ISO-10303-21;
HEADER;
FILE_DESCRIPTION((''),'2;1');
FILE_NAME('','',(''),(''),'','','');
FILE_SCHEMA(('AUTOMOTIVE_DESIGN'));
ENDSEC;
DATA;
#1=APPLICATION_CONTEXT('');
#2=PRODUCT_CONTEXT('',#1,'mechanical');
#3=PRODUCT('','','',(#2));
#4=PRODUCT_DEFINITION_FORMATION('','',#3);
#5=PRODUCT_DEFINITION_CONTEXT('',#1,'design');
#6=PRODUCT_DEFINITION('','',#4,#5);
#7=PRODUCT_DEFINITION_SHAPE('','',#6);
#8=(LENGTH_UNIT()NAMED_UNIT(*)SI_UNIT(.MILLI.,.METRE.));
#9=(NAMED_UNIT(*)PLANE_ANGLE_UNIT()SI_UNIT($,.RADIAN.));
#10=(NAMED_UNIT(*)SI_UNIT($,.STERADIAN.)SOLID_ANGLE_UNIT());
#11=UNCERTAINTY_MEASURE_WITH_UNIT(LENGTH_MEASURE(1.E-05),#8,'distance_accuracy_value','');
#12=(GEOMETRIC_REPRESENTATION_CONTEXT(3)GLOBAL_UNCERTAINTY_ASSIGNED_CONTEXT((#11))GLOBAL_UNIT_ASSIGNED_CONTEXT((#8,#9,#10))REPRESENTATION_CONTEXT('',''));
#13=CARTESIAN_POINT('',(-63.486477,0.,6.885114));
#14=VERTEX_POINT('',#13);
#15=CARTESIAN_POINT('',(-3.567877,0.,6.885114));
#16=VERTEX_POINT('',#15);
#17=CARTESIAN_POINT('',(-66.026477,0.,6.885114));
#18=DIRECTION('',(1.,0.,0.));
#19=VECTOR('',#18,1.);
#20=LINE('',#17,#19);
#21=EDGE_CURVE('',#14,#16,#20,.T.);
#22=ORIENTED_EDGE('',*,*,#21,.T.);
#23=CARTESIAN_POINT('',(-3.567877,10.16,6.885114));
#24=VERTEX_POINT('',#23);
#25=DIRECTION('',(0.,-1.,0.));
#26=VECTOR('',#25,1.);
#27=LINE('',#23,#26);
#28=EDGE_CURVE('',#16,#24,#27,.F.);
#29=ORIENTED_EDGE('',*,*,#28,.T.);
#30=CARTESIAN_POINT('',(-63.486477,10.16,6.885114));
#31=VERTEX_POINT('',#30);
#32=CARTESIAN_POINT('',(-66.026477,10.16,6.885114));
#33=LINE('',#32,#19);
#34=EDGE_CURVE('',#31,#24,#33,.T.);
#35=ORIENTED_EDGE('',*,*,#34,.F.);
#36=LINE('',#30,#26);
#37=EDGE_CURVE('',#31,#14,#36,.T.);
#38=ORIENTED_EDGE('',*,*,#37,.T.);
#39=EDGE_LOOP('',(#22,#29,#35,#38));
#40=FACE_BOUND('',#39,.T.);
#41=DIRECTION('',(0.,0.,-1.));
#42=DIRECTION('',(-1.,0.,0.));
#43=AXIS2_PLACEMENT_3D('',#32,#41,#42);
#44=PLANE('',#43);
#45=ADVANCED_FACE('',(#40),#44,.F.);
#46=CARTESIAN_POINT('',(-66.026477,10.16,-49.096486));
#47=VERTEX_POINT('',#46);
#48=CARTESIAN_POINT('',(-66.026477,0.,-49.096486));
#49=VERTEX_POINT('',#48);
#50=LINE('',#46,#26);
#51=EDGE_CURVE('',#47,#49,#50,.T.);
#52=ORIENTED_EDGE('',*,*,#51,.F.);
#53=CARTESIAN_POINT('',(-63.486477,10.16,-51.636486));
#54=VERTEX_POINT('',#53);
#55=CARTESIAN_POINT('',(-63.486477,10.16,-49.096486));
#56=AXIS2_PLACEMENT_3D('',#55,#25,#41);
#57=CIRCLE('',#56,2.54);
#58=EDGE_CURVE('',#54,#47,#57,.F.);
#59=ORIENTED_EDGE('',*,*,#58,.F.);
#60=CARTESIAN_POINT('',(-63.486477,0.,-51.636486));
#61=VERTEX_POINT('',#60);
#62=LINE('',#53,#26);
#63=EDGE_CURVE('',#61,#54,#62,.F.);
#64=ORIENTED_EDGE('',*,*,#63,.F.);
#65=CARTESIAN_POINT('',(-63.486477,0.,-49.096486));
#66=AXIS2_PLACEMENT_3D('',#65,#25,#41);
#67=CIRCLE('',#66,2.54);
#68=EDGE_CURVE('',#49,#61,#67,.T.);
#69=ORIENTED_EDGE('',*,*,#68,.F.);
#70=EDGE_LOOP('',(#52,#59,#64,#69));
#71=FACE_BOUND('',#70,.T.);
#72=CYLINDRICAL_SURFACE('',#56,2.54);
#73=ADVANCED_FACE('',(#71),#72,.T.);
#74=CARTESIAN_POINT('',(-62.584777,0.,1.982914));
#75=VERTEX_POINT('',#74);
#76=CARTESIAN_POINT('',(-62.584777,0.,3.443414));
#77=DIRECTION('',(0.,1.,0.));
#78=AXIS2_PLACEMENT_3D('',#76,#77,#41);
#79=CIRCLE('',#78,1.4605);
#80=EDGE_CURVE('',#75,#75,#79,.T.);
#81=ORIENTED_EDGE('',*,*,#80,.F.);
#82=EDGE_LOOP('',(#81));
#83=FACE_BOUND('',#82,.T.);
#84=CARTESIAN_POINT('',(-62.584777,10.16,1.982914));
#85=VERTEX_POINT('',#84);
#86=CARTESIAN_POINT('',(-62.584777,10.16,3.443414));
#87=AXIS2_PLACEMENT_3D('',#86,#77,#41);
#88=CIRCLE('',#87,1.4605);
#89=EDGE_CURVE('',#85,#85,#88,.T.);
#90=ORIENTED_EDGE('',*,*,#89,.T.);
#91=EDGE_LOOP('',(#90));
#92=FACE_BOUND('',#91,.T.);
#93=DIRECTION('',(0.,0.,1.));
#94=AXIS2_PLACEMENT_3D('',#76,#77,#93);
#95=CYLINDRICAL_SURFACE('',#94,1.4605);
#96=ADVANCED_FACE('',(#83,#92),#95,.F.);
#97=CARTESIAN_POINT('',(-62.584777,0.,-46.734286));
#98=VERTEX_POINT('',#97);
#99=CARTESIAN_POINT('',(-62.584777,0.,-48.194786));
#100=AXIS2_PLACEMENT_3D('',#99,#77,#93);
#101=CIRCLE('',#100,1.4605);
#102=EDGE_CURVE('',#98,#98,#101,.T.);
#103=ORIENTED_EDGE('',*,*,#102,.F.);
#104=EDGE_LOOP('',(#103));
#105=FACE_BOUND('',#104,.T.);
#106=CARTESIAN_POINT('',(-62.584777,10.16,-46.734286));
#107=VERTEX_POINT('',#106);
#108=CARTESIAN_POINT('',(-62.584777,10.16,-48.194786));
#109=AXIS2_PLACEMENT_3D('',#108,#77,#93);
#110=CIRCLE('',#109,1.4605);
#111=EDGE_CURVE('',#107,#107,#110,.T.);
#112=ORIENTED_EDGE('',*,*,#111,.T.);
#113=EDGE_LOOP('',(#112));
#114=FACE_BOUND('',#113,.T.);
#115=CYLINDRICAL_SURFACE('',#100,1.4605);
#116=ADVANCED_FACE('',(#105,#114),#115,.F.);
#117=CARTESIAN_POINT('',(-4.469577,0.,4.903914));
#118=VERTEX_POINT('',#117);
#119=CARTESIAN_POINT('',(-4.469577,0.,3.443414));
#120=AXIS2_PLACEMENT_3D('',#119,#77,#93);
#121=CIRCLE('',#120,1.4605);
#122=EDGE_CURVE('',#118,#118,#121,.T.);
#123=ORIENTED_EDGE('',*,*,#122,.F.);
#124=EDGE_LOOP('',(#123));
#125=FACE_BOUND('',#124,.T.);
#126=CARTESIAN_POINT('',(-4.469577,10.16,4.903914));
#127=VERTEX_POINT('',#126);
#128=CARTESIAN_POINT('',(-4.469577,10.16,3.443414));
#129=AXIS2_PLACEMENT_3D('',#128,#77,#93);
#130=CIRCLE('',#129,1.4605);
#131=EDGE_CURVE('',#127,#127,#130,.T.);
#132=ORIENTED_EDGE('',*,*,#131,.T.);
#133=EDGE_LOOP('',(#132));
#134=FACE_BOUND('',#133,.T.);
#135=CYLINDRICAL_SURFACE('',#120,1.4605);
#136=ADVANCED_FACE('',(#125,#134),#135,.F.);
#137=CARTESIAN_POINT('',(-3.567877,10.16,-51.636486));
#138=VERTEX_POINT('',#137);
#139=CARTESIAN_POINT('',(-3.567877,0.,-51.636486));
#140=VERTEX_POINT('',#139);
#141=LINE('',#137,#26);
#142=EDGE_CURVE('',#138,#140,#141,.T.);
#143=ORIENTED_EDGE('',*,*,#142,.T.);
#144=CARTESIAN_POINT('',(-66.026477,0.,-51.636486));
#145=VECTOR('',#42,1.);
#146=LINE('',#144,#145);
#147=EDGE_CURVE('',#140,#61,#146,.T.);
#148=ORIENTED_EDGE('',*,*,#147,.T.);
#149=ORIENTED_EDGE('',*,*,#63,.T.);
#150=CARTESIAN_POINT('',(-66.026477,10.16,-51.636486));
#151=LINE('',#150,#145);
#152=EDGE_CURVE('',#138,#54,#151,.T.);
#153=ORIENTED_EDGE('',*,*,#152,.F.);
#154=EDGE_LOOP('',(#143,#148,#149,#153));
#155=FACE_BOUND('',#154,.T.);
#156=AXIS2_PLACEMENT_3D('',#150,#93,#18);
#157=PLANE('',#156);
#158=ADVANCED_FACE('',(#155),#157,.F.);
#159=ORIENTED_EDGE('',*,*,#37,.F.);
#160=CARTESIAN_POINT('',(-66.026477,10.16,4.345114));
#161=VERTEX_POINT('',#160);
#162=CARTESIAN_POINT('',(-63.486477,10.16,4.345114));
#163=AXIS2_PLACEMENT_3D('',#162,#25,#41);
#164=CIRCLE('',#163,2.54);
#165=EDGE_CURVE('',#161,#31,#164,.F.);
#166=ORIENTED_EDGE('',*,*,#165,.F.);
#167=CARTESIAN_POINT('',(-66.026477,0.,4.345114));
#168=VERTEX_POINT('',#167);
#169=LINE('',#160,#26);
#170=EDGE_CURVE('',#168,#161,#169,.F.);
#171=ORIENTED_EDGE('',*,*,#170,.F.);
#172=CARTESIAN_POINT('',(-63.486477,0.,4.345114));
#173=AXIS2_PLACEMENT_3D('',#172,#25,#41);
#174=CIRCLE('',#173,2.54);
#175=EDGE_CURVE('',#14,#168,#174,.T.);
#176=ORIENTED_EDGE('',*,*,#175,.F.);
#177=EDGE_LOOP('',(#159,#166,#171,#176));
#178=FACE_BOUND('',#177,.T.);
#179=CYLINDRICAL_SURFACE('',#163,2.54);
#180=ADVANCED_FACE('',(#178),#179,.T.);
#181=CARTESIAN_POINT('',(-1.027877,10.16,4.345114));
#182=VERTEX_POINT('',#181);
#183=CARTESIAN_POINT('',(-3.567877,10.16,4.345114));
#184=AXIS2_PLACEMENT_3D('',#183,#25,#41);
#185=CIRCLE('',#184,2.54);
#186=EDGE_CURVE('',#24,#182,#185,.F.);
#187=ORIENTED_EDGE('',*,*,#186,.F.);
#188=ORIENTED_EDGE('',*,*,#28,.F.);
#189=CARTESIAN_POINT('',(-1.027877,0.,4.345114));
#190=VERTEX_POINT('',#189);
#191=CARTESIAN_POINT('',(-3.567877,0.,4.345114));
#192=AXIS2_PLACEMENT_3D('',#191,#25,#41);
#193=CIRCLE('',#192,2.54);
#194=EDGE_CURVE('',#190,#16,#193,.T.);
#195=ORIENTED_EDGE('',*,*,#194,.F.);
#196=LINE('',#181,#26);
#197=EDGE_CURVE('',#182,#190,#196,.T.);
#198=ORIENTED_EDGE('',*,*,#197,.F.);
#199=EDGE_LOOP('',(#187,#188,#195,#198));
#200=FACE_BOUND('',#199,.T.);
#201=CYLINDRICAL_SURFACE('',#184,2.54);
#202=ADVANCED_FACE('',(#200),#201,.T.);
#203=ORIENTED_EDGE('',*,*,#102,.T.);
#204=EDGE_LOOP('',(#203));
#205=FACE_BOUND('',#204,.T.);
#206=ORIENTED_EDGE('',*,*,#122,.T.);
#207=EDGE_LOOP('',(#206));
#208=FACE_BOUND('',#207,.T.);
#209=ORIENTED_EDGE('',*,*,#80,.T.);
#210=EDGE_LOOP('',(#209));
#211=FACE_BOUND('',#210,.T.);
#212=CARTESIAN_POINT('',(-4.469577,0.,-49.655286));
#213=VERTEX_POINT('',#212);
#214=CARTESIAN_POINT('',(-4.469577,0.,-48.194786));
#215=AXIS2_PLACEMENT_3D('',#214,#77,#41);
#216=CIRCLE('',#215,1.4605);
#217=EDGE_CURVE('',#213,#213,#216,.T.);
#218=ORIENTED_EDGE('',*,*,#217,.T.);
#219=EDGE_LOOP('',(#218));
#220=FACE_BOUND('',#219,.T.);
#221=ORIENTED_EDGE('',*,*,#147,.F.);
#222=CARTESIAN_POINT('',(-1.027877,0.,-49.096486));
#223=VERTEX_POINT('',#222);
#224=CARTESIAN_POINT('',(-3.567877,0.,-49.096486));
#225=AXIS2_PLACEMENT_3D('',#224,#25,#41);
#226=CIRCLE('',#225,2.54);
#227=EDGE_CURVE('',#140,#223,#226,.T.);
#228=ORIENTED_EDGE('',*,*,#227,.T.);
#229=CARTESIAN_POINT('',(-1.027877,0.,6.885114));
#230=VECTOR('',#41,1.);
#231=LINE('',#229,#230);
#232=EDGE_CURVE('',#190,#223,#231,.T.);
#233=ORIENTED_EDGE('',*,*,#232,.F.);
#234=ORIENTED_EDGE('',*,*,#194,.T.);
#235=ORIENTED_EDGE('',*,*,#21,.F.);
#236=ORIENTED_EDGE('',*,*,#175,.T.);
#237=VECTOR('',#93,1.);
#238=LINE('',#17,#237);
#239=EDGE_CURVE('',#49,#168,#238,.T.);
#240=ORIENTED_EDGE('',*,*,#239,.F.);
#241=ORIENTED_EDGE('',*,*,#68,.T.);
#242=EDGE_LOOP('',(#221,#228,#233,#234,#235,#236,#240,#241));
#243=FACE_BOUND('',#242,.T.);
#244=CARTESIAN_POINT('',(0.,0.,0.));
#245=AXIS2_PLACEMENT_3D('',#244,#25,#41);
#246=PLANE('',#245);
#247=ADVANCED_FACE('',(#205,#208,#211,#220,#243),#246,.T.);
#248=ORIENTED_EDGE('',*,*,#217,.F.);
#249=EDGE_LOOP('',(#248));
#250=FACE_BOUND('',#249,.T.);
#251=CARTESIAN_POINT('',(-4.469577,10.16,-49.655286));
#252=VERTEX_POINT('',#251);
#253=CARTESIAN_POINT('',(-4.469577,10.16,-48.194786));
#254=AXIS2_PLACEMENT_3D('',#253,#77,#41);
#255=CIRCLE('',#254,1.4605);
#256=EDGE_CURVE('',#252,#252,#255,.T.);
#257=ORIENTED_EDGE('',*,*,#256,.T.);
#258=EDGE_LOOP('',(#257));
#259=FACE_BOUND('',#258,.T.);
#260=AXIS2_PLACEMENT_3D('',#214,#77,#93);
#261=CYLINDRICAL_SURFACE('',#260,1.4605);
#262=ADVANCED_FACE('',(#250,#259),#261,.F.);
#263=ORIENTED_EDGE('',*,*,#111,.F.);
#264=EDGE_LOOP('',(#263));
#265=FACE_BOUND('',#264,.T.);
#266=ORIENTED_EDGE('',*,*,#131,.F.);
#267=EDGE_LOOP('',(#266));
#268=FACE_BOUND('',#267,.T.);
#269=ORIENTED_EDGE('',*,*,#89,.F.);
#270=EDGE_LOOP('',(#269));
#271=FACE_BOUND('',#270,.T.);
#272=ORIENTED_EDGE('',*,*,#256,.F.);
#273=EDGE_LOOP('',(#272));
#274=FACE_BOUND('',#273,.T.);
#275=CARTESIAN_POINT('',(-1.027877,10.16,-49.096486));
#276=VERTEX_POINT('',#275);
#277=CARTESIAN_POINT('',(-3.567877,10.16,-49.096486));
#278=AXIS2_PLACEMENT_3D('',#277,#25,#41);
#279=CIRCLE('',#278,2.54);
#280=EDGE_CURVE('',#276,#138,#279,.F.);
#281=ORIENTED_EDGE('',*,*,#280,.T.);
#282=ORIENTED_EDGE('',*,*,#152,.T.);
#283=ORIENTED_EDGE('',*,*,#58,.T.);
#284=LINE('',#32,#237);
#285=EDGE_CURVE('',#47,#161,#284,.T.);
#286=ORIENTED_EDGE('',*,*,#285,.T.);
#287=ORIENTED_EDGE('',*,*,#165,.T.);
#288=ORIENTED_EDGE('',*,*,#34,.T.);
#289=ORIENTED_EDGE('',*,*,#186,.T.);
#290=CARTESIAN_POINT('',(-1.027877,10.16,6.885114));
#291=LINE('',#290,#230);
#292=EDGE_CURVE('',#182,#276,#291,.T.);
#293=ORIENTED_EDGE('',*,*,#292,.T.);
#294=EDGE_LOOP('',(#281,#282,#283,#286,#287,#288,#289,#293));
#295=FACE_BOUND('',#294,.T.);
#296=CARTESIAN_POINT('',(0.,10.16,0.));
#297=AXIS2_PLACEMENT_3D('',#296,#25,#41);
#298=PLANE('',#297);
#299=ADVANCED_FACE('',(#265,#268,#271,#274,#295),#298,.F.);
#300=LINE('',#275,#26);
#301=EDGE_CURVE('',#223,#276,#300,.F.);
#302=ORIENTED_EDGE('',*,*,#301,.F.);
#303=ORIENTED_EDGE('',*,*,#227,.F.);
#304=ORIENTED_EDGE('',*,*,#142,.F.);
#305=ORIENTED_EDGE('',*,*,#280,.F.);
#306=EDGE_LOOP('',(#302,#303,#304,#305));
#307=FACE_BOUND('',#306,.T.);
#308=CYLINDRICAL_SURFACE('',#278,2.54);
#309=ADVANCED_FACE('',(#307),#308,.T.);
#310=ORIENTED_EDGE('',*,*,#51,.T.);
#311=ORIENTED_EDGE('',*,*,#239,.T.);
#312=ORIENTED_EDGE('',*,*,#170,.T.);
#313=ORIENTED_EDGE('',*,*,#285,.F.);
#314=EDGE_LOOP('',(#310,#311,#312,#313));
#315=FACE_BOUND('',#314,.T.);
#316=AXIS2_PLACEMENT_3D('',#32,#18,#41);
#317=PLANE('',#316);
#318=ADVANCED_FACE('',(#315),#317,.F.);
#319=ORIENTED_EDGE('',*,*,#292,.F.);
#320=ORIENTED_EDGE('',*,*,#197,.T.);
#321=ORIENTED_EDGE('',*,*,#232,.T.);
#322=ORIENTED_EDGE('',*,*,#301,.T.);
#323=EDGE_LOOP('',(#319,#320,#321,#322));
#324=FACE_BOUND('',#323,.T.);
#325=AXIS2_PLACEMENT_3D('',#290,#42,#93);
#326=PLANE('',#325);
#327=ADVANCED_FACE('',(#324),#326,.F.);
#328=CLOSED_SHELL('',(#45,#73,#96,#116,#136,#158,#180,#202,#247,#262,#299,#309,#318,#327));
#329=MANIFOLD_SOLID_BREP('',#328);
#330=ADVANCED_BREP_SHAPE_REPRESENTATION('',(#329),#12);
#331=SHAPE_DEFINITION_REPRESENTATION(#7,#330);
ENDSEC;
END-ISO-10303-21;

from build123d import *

# Parameters (mm, degrees)
SKETCH1_W           = 64.9986
SKETCH1_H           = 58.5216
BOSS_EXTRUDE1_DEPTH = 10.16
SKETCH2_R           = 1.4605
CUT_EXTRUDE1_DEPTH  = 10.16
FILLET1_R           = 2.54


with BuildPart() as part:
    # Sketch1 → Boss-Extrude1 (new body)
    with BuildSketch(Plane(origin=(0, 0, 0), x_dir=(1, 0, 0), z_dir=(0, 1, 0))):
        with Locations((-33.527176718, 22.375686118)):
            Rectangle(SKETCH1_W, SKETCH1_H)
    extrude(amount=BOSS_EXTRUDE1_DEPTH)

    # Sketch2 → Cut-Extrude1 (cut)
    with BuildSketch(Plane(origin=(0, 10.16, 0), x_dir=(1, 0, 0), z_dir=(0, 1, 0))):
        with Locations((-4.469576718, -3.443413882)):
            Circle(SKETCH2_R)
        with Locations((-4.469576718, 48.194786118)):
            Circle(SKETCH2_R)
        with Locations((-62.584776718, 48.194786118)):
            Circle(SKETCH2_R)
        with Locations((-62.584776718, -3.443413882)):
            Circle(SKETCH2_R)
    extrude(amount=-CUT_EXTRUDE1_DEPTH, mode=Mode.SUBTRACT)

    # Fillet1
    fillet1_edges = [part.edges().sort_by_distance(p)[0] for p in [
        (-66.026476718, 5.08, -51.636486118),
        (-1.027876718, 5.08, -51.636486118),
        (-1.027876718, 5.08, 6.885113882),
        (-66.026476718, 5.08, 6.885113882),
    ]]
    fillet(fillet1_edges, radius=FILLET1_R)


solid = part.part
